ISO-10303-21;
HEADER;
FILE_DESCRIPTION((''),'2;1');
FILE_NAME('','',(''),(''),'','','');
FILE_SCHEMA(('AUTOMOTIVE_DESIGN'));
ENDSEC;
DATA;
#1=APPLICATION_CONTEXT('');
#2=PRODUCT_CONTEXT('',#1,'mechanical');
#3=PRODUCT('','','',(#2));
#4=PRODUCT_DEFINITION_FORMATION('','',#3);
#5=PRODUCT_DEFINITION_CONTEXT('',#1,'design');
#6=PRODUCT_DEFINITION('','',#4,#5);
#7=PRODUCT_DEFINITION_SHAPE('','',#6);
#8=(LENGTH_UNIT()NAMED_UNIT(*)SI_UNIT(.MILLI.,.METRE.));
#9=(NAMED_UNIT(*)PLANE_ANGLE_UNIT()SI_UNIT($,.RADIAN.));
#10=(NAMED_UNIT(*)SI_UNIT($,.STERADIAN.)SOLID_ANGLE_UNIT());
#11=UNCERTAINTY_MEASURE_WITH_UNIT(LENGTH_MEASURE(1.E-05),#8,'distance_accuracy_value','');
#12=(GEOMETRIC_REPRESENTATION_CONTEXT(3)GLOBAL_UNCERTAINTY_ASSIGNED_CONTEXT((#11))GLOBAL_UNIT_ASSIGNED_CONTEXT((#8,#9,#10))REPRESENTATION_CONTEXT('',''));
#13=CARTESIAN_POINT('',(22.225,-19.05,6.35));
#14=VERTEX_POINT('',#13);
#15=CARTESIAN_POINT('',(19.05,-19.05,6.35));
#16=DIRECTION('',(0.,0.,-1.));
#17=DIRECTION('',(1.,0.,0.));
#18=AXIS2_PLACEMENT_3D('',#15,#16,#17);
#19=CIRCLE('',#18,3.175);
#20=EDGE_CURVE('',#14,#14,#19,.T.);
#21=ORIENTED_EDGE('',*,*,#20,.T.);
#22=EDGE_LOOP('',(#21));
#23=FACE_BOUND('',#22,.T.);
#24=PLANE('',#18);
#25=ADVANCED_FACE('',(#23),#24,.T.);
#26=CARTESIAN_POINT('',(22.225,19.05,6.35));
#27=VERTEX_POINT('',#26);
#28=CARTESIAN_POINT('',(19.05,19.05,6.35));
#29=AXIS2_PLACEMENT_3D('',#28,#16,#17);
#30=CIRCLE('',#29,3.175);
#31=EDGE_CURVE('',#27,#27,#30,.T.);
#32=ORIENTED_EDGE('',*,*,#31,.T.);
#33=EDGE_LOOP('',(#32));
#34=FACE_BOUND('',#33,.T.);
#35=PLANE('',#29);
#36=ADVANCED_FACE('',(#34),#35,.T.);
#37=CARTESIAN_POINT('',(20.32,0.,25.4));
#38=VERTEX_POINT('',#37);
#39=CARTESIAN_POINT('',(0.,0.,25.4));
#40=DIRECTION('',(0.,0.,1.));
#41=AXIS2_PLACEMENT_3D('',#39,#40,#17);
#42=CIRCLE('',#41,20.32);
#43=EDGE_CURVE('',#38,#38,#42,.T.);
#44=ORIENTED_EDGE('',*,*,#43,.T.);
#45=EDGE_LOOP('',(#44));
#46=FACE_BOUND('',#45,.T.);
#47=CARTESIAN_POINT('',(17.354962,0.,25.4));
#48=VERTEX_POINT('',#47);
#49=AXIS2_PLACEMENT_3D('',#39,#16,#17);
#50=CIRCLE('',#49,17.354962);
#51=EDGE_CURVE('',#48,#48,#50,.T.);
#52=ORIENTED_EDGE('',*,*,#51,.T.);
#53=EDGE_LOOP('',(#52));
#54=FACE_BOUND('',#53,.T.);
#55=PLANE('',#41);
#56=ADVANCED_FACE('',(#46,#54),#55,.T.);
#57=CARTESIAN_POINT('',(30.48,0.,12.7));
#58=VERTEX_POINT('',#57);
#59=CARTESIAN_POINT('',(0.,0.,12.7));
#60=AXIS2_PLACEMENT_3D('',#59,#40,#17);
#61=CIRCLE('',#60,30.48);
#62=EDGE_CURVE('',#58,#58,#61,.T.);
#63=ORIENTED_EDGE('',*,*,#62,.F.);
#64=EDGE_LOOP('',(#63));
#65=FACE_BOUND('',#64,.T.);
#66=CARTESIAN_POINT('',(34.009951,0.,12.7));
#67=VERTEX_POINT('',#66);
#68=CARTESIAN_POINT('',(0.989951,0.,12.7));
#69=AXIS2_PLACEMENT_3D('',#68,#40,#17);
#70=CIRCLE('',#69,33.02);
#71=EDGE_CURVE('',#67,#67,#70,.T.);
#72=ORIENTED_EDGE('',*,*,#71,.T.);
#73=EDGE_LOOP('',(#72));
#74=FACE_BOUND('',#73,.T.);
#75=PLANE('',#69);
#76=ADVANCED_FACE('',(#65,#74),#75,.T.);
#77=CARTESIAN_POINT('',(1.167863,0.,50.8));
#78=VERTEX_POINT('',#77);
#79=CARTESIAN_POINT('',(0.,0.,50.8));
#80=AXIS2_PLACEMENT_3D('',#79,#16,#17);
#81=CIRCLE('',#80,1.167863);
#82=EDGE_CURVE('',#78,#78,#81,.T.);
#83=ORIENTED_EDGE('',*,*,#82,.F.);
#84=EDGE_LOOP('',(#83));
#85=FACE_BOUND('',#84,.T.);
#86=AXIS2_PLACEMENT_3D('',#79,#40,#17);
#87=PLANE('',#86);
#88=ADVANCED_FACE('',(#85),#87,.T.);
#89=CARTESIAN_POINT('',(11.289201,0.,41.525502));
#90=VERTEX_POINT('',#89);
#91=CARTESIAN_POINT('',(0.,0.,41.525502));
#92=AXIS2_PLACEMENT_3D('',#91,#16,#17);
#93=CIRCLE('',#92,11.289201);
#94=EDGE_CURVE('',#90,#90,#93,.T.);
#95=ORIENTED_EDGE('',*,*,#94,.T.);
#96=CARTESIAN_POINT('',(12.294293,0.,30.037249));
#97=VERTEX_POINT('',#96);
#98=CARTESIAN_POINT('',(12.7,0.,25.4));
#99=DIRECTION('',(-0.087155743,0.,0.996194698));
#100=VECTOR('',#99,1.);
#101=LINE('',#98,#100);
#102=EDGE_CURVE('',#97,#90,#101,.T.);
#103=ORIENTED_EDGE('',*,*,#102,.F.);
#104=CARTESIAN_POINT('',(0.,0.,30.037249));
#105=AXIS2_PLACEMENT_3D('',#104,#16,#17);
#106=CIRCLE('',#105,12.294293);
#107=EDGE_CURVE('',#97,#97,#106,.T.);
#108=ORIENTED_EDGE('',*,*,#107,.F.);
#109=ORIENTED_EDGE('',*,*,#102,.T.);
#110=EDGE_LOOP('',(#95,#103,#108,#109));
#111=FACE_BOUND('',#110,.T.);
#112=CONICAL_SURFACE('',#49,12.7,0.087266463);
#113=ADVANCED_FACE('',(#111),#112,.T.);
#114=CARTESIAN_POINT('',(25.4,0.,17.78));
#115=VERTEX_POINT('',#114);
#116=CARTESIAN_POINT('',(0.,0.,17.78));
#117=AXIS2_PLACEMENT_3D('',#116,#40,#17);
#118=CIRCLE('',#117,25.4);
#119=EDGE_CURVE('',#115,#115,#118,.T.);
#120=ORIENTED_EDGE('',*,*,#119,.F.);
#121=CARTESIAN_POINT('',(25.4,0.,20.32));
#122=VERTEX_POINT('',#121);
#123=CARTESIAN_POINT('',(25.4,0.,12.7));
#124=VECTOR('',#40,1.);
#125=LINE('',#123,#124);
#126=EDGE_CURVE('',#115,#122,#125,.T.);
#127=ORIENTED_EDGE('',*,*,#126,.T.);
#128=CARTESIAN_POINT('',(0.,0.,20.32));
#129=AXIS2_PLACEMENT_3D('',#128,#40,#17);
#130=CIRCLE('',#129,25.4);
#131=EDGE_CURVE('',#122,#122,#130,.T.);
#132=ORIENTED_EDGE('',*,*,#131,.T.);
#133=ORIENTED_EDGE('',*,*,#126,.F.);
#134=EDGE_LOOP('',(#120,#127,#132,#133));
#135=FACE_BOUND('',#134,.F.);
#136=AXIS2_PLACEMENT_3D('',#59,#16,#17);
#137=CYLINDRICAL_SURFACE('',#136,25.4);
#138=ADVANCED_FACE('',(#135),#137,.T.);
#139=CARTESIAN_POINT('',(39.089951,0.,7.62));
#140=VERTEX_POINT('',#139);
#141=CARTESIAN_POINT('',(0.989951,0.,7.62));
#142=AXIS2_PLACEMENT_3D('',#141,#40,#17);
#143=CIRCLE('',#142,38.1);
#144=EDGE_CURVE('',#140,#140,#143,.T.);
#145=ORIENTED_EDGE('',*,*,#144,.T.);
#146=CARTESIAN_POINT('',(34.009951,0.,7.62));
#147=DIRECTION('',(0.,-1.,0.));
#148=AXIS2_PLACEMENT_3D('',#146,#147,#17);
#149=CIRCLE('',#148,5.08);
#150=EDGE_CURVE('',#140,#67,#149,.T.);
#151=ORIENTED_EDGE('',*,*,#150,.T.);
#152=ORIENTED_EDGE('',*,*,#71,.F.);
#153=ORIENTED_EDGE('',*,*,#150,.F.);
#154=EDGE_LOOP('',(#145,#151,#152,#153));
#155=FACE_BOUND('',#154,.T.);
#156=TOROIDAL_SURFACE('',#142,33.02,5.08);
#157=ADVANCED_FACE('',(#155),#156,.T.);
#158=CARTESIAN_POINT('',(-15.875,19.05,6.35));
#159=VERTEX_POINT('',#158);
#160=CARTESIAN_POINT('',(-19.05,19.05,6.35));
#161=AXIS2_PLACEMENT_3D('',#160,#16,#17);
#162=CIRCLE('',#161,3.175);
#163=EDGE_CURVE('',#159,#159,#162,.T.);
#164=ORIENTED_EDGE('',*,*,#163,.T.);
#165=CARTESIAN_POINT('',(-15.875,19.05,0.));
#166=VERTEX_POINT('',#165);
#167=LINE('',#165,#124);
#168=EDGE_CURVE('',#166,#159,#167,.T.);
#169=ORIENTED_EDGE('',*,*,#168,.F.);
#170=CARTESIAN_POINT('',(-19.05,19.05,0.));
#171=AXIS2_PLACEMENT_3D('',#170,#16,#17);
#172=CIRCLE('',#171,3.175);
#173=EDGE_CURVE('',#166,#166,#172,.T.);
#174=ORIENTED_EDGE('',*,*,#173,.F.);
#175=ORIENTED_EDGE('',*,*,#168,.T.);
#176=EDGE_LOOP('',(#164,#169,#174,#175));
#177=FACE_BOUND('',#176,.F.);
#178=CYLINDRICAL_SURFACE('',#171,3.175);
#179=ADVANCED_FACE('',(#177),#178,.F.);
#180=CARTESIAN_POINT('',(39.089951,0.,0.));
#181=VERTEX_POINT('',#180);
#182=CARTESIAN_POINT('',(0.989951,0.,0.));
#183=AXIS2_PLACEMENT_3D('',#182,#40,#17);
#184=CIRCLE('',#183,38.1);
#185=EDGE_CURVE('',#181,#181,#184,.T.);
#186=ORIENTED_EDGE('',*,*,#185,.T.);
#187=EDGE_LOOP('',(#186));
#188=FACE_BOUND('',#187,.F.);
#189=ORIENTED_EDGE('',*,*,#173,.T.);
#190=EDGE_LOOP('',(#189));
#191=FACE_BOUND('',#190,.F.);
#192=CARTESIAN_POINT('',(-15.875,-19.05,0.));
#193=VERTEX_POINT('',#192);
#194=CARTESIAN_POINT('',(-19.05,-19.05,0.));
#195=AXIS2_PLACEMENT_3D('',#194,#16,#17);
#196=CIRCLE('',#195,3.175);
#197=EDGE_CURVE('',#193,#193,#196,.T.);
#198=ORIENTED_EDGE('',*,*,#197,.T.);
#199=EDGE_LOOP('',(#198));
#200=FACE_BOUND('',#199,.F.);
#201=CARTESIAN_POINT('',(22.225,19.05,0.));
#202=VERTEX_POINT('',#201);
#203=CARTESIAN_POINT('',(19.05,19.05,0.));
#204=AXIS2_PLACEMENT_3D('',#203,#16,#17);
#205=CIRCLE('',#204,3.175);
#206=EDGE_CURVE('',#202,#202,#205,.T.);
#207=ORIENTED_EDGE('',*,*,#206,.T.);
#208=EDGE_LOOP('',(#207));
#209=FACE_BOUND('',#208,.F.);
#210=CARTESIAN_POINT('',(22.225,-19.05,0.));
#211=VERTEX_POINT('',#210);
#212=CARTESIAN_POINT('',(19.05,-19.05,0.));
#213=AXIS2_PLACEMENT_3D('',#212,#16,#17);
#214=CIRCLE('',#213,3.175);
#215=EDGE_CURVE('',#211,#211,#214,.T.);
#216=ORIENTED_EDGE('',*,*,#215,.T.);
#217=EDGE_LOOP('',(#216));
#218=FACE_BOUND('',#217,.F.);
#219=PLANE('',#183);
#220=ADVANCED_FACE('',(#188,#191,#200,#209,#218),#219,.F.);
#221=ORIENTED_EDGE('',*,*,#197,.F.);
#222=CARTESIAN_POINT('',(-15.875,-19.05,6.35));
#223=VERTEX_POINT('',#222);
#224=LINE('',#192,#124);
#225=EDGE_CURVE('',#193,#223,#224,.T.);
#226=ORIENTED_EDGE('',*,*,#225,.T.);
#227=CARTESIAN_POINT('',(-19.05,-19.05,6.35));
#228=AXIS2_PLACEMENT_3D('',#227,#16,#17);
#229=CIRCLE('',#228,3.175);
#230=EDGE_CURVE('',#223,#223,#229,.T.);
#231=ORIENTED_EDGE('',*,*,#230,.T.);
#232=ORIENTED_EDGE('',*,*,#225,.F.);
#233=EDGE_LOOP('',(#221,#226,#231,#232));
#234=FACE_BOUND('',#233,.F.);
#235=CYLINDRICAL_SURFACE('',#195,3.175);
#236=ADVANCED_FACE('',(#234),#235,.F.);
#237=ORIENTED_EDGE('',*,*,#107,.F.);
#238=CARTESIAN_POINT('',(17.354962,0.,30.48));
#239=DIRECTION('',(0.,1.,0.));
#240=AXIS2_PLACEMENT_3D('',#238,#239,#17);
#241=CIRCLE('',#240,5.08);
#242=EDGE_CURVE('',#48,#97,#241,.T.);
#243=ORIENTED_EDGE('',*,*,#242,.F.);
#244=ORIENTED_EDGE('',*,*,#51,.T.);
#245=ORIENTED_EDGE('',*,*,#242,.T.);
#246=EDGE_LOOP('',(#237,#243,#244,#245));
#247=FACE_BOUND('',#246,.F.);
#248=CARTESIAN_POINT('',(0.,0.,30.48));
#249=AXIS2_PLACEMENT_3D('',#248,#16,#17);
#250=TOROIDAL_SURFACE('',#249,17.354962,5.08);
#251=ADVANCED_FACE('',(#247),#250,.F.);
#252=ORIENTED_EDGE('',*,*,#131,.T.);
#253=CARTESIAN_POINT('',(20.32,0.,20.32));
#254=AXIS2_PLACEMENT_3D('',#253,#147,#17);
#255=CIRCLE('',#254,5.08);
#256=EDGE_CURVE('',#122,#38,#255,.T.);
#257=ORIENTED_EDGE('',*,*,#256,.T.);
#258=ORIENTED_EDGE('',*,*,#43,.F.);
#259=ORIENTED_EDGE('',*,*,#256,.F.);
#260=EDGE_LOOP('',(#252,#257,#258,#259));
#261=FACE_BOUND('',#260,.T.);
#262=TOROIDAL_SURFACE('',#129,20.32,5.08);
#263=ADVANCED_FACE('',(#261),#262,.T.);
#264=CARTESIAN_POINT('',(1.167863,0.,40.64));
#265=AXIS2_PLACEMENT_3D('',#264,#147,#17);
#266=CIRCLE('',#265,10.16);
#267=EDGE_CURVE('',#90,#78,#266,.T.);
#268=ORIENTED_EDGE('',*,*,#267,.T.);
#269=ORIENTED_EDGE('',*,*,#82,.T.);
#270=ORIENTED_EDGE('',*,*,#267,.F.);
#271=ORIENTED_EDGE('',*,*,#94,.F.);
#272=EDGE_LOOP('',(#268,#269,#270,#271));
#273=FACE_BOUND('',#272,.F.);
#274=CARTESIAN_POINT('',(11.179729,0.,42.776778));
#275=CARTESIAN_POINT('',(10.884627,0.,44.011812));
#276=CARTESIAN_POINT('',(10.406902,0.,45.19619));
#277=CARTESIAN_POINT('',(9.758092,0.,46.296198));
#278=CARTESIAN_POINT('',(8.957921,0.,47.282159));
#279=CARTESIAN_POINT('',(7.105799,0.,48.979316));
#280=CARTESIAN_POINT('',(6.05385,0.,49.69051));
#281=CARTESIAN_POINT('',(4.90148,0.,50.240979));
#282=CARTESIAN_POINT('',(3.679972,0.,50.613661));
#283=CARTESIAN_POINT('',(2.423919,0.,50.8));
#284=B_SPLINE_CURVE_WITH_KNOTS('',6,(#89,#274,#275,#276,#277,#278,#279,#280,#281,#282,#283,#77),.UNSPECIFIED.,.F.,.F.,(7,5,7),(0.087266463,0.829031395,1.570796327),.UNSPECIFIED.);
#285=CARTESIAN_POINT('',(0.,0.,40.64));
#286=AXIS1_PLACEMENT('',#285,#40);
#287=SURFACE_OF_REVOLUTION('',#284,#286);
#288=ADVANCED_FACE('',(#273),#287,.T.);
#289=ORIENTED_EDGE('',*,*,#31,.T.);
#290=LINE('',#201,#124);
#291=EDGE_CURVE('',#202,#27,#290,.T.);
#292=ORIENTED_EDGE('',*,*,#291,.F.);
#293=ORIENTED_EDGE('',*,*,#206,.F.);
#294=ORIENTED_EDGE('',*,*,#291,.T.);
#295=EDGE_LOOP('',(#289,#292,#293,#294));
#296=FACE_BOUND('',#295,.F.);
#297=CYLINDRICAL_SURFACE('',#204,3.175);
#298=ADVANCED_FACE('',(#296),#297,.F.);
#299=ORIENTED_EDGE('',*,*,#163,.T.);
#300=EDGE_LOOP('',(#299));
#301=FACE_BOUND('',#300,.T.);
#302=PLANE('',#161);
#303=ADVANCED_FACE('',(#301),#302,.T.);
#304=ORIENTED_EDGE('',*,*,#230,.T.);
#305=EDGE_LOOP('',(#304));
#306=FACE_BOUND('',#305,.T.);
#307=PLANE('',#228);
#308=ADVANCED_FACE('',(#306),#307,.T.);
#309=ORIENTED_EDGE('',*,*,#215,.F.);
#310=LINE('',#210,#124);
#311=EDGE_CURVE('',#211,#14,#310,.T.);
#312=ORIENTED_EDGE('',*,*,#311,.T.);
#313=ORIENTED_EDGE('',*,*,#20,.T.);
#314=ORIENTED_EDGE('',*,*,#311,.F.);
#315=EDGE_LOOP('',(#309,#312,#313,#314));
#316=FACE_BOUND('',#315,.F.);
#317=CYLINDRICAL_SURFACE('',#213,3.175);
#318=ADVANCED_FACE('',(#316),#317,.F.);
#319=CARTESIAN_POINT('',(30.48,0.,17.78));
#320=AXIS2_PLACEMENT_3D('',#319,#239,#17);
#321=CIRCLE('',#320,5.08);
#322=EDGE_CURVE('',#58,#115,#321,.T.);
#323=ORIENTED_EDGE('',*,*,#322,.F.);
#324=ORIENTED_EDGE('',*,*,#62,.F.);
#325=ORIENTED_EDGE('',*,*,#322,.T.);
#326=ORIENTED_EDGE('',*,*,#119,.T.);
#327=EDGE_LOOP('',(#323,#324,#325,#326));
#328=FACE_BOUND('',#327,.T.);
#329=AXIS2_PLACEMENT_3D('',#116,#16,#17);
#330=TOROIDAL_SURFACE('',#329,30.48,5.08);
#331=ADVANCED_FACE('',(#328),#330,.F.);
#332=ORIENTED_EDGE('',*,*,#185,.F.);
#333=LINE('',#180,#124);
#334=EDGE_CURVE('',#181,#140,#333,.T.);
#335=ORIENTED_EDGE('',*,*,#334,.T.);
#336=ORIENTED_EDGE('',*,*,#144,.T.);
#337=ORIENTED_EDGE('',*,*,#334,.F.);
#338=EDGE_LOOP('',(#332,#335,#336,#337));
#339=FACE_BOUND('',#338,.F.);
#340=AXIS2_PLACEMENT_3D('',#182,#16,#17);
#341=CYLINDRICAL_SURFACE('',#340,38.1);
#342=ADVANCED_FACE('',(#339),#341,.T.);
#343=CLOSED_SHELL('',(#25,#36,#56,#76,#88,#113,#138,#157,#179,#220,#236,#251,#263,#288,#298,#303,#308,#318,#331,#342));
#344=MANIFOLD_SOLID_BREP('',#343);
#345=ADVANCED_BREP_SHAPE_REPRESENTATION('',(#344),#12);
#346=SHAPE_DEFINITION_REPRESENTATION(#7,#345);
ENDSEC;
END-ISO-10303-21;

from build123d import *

# Parameters (mm, degrees)
F0_R     = 38.1
F1_DEPTH = 12.7
F2_R     = 3.175
F3_DEPTH = 6.35
F4_R     = 25.4
F5_DEPTH = 12.7
F6_R     = 12.7
F7_DEPTH = 25.4
F7_TAPER = 5
F8_R     = 5.08
F9_R     = 10.16


with BuildPart() as f1:
    # F0 (on Top) → F1 (new body)
    with BuildSketch(Plane.XY):
        with Locations((0.9899509557, 0)):
            Circle(F0_R)
    extrude(amount=F1_DEPTH)

    # F2 (on face) → F3 (cut)
    with BuildSketch(Plane(origin=(0, 0, 0), x_dir=(1, 0, 0), z_dir=(0, 0, -1))):
        with Locations((-19.05, -19.05)):
            Circle(F2_R)
        with Locations((19.05, -19.05)):
            Circle(F2_R)
        with Locations((19.05, 19.05)):
            Circle(F2_R)
        with Locations((-19.05, 19.05)):
            Circle(F2_R)
    extrude(amount=-F3_DEPTH, mode=Mode.SUBTRACT)

    # F4 (on face) → F5 (join)
    with BuildSketch(Plane.XY.offset(12.7)):
        Circle(F4_R)
    extrude(amount=F5_DEPTH)

    # F6 (on face) → F7 (join)
    with BuildSketch(Plane.XY.offset(25.4)):
        Circle(F6_R)
    extrude(amount=F7_DEPTH, taper=F7_TAPER)

    # F8
    f8_edges = [f1.edges().sort_by_distance(p)[0] for p in [
        (-37.110049, 0, 12.7),
        (-25.4, 0, 12.7),
        (-25.4, 0, 25.4),
        (-12.7, 0, 25.4),
    ]]
    fillet(f8_edges, radius=F8_R)

    # F9
    f9_edges = [f1.edges().sort_by_distance(p)[0] for p in [
        (-10.477788, 0, 50.8),
    ]]
    fillet(f9_edges, radius=F9_R)


solid = f1.part
